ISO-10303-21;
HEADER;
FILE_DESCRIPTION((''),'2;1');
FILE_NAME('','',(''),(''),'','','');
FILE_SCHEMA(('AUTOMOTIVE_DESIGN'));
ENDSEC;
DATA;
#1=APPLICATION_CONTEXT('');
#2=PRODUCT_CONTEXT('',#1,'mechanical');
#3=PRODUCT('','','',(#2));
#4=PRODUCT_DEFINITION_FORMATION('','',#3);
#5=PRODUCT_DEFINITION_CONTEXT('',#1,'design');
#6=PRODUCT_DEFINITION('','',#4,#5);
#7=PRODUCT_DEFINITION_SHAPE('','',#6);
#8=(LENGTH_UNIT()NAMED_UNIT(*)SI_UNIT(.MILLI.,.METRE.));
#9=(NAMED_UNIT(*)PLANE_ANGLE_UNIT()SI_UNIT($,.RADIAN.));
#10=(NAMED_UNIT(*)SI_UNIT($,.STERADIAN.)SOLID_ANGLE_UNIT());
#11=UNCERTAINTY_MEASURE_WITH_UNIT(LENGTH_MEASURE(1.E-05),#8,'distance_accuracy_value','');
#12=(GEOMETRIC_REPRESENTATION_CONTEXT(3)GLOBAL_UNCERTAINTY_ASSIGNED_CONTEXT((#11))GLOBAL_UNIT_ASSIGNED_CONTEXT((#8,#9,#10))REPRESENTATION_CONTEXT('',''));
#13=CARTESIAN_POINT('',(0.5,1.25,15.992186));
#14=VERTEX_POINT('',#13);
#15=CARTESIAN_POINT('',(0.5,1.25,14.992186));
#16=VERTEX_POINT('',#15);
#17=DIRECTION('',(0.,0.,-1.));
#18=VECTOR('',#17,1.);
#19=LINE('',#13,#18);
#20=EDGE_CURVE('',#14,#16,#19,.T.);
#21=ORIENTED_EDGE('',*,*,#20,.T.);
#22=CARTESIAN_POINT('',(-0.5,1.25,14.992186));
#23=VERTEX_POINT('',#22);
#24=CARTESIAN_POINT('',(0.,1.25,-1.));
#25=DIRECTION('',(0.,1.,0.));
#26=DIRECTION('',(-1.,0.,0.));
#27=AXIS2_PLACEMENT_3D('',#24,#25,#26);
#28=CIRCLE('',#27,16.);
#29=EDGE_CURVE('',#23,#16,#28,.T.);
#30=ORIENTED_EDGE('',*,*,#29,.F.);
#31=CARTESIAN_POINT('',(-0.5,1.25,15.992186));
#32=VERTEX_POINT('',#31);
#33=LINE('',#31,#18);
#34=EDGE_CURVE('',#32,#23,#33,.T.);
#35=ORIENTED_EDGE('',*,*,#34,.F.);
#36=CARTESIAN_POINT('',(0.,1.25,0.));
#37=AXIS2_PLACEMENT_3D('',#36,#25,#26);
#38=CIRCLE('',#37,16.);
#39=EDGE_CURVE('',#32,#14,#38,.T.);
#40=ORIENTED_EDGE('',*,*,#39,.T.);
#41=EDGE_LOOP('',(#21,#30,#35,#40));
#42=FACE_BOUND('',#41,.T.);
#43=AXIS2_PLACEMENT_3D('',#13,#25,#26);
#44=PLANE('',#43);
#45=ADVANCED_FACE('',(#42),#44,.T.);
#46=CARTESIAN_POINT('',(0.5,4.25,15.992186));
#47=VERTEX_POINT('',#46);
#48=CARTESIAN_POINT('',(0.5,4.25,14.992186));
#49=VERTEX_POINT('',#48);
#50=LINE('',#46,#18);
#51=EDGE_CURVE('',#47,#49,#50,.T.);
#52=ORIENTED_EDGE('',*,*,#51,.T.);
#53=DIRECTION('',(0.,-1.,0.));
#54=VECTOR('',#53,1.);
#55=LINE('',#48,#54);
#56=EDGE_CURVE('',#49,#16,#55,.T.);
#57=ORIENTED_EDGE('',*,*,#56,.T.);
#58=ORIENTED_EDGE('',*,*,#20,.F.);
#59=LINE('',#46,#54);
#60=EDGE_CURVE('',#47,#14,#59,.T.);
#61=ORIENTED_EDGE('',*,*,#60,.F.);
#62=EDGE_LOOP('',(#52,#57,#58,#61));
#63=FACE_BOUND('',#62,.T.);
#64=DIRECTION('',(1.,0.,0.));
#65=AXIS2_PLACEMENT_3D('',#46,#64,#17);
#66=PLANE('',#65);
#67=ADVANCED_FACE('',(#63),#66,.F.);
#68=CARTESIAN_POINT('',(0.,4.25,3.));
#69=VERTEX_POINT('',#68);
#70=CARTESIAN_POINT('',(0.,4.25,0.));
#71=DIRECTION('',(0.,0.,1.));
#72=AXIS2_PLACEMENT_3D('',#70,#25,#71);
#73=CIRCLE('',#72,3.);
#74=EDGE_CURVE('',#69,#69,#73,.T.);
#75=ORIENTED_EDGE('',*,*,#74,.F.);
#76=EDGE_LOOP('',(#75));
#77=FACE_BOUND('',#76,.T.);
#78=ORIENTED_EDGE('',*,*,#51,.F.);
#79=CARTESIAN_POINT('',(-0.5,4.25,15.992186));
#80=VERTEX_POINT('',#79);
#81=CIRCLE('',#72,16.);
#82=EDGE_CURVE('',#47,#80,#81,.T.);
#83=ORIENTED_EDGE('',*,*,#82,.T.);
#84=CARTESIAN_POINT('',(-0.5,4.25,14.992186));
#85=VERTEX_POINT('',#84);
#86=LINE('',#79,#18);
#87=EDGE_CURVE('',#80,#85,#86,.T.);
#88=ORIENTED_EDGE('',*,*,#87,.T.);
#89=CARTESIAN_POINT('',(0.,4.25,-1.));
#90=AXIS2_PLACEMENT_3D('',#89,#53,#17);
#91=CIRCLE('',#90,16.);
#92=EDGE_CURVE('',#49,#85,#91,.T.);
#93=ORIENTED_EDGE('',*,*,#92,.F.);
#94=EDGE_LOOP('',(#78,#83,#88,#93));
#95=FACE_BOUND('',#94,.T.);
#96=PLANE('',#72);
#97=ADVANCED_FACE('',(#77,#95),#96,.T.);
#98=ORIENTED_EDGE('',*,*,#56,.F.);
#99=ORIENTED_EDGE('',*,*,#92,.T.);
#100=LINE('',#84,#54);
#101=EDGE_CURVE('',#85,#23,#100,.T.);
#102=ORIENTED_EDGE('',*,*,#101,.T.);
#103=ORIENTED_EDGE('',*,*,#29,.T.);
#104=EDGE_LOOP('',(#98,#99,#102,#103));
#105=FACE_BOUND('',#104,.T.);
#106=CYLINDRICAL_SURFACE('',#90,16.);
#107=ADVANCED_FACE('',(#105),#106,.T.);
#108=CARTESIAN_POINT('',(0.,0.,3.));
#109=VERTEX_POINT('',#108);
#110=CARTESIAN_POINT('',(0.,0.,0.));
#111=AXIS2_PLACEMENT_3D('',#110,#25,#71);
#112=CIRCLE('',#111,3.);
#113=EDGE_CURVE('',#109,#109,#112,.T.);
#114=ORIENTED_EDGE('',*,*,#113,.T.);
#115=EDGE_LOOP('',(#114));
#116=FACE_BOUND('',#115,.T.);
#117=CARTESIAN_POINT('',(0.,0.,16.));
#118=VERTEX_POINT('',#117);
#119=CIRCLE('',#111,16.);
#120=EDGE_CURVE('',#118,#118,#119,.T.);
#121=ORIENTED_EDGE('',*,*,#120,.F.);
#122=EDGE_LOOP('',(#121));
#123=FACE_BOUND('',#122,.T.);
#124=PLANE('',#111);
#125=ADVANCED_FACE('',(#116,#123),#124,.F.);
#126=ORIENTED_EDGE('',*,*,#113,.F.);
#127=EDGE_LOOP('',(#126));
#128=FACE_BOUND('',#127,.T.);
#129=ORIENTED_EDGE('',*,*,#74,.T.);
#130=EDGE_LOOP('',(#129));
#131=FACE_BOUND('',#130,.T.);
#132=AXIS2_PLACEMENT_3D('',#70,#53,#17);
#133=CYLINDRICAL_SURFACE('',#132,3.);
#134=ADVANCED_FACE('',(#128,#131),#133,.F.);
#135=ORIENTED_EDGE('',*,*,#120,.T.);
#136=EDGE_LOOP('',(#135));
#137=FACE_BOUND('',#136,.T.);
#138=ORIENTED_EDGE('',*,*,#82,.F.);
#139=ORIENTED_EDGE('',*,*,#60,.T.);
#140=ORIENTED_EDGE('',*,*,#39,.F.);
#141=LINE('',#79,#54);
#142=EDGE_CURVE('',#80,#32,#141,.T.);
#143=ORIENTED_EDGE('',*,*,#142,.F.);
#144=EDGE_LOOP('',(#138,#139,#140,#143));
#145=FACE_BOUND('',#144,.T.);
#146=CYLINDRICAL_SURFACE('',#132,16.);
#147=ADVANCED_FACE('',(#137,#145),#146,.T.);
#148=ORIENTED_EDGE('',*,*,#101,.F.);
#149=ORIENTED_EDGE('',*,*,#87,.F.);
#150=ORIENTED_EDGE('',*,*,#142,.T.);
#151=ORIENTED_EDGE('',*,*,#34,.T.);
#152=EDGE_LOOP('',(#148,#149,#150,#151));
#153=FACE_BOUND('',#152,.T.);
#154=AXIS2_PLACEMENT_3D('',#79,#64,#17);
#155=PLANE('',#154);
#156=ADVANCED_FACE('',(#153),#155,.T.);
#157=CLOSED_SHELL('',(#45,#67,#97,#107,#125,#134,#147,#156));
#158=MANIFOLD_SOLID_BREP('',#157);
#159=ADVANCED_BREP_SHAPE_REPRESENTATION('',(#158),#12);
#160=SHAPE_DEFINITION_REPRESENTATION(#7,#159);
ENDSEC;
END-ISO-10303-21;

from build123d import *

# Parameters (mm, degrees)
SKETCH1_R                 = 16
SKETCH1_R_2               = 3
BOSS_EXTRUDE1_DEPTH       = 4.25
CUT_EXTRUDE1_REACH        = 26.023
CUT_EXTRUDE1_START_RADIUS = 16
CUT_EXTRUDE1_END_RADIUS   = 16
SKETCH2_W                 = 1
SKETCH2_H                 = 3


with BuildPart() as part:
    # Sketch1 → Boss-Extrude1 (new body)
    with BuildSketch(Plane(origin=(0, 0, 0), x_dir=(1, 0, 0), z_dir=(0, 1, 0))):
        with Locations(Location((0, 0, 0), (0, 0, 270))):
            Circle(SKETCH1_R)
        with Locations(Location((0, 0, 0), (0, 0, 270))):
            Circle(SKETCH1_R_2, mode=Mode.SUBTRACT)
    extrude(amount=BOSS_EXTRUDE1_DEPTH)

    # Cut-Extrude1: from a cylinder face, 26.023 long prism both ways, kept between that surface and its translate by the depth
    cut_extrude1_start = Plane(origin=(0, 2.75, 0), z_dir=(0, -1, 0)) * Cylinder(CUT_EXTRUDE1_START_RADIUS, 85.046, mode=Mode.PRIVATE)
    cut_extrude1_end = Plane(origin=(0, 2.75, -1), z_dir=(0, -1, 0)) * Cylinder(CUT_EXTRUDE1_END_RADIUS, 85.046, mode=Mode.PRIVATE)
    # Sketch2 → Cut-Extrude1 (cut, from a surface)
    with BuildSketch(Plane.XY, mode=Mode.PRIVATE) as cut_extrude1_sk1:
        with Locations((0, 2.75)):
            Rectangle(SKETCH2_W, SKETCH2_H)
    cut_extrude1_tool1 = extrude(cut_extrude1_sk1.sketch, amount=CUT_EXTRUDE1_REACH, both=True, mode=Mode.PRIVATE)
    add(((cut_extrude1_tool1 & cut_extrude1_start) - cut_extrude1_end).solids().sort_by_distance((0, 2.75, 15.492186))[0], mode=Mode.SUBTRACT)


solid = part.part
